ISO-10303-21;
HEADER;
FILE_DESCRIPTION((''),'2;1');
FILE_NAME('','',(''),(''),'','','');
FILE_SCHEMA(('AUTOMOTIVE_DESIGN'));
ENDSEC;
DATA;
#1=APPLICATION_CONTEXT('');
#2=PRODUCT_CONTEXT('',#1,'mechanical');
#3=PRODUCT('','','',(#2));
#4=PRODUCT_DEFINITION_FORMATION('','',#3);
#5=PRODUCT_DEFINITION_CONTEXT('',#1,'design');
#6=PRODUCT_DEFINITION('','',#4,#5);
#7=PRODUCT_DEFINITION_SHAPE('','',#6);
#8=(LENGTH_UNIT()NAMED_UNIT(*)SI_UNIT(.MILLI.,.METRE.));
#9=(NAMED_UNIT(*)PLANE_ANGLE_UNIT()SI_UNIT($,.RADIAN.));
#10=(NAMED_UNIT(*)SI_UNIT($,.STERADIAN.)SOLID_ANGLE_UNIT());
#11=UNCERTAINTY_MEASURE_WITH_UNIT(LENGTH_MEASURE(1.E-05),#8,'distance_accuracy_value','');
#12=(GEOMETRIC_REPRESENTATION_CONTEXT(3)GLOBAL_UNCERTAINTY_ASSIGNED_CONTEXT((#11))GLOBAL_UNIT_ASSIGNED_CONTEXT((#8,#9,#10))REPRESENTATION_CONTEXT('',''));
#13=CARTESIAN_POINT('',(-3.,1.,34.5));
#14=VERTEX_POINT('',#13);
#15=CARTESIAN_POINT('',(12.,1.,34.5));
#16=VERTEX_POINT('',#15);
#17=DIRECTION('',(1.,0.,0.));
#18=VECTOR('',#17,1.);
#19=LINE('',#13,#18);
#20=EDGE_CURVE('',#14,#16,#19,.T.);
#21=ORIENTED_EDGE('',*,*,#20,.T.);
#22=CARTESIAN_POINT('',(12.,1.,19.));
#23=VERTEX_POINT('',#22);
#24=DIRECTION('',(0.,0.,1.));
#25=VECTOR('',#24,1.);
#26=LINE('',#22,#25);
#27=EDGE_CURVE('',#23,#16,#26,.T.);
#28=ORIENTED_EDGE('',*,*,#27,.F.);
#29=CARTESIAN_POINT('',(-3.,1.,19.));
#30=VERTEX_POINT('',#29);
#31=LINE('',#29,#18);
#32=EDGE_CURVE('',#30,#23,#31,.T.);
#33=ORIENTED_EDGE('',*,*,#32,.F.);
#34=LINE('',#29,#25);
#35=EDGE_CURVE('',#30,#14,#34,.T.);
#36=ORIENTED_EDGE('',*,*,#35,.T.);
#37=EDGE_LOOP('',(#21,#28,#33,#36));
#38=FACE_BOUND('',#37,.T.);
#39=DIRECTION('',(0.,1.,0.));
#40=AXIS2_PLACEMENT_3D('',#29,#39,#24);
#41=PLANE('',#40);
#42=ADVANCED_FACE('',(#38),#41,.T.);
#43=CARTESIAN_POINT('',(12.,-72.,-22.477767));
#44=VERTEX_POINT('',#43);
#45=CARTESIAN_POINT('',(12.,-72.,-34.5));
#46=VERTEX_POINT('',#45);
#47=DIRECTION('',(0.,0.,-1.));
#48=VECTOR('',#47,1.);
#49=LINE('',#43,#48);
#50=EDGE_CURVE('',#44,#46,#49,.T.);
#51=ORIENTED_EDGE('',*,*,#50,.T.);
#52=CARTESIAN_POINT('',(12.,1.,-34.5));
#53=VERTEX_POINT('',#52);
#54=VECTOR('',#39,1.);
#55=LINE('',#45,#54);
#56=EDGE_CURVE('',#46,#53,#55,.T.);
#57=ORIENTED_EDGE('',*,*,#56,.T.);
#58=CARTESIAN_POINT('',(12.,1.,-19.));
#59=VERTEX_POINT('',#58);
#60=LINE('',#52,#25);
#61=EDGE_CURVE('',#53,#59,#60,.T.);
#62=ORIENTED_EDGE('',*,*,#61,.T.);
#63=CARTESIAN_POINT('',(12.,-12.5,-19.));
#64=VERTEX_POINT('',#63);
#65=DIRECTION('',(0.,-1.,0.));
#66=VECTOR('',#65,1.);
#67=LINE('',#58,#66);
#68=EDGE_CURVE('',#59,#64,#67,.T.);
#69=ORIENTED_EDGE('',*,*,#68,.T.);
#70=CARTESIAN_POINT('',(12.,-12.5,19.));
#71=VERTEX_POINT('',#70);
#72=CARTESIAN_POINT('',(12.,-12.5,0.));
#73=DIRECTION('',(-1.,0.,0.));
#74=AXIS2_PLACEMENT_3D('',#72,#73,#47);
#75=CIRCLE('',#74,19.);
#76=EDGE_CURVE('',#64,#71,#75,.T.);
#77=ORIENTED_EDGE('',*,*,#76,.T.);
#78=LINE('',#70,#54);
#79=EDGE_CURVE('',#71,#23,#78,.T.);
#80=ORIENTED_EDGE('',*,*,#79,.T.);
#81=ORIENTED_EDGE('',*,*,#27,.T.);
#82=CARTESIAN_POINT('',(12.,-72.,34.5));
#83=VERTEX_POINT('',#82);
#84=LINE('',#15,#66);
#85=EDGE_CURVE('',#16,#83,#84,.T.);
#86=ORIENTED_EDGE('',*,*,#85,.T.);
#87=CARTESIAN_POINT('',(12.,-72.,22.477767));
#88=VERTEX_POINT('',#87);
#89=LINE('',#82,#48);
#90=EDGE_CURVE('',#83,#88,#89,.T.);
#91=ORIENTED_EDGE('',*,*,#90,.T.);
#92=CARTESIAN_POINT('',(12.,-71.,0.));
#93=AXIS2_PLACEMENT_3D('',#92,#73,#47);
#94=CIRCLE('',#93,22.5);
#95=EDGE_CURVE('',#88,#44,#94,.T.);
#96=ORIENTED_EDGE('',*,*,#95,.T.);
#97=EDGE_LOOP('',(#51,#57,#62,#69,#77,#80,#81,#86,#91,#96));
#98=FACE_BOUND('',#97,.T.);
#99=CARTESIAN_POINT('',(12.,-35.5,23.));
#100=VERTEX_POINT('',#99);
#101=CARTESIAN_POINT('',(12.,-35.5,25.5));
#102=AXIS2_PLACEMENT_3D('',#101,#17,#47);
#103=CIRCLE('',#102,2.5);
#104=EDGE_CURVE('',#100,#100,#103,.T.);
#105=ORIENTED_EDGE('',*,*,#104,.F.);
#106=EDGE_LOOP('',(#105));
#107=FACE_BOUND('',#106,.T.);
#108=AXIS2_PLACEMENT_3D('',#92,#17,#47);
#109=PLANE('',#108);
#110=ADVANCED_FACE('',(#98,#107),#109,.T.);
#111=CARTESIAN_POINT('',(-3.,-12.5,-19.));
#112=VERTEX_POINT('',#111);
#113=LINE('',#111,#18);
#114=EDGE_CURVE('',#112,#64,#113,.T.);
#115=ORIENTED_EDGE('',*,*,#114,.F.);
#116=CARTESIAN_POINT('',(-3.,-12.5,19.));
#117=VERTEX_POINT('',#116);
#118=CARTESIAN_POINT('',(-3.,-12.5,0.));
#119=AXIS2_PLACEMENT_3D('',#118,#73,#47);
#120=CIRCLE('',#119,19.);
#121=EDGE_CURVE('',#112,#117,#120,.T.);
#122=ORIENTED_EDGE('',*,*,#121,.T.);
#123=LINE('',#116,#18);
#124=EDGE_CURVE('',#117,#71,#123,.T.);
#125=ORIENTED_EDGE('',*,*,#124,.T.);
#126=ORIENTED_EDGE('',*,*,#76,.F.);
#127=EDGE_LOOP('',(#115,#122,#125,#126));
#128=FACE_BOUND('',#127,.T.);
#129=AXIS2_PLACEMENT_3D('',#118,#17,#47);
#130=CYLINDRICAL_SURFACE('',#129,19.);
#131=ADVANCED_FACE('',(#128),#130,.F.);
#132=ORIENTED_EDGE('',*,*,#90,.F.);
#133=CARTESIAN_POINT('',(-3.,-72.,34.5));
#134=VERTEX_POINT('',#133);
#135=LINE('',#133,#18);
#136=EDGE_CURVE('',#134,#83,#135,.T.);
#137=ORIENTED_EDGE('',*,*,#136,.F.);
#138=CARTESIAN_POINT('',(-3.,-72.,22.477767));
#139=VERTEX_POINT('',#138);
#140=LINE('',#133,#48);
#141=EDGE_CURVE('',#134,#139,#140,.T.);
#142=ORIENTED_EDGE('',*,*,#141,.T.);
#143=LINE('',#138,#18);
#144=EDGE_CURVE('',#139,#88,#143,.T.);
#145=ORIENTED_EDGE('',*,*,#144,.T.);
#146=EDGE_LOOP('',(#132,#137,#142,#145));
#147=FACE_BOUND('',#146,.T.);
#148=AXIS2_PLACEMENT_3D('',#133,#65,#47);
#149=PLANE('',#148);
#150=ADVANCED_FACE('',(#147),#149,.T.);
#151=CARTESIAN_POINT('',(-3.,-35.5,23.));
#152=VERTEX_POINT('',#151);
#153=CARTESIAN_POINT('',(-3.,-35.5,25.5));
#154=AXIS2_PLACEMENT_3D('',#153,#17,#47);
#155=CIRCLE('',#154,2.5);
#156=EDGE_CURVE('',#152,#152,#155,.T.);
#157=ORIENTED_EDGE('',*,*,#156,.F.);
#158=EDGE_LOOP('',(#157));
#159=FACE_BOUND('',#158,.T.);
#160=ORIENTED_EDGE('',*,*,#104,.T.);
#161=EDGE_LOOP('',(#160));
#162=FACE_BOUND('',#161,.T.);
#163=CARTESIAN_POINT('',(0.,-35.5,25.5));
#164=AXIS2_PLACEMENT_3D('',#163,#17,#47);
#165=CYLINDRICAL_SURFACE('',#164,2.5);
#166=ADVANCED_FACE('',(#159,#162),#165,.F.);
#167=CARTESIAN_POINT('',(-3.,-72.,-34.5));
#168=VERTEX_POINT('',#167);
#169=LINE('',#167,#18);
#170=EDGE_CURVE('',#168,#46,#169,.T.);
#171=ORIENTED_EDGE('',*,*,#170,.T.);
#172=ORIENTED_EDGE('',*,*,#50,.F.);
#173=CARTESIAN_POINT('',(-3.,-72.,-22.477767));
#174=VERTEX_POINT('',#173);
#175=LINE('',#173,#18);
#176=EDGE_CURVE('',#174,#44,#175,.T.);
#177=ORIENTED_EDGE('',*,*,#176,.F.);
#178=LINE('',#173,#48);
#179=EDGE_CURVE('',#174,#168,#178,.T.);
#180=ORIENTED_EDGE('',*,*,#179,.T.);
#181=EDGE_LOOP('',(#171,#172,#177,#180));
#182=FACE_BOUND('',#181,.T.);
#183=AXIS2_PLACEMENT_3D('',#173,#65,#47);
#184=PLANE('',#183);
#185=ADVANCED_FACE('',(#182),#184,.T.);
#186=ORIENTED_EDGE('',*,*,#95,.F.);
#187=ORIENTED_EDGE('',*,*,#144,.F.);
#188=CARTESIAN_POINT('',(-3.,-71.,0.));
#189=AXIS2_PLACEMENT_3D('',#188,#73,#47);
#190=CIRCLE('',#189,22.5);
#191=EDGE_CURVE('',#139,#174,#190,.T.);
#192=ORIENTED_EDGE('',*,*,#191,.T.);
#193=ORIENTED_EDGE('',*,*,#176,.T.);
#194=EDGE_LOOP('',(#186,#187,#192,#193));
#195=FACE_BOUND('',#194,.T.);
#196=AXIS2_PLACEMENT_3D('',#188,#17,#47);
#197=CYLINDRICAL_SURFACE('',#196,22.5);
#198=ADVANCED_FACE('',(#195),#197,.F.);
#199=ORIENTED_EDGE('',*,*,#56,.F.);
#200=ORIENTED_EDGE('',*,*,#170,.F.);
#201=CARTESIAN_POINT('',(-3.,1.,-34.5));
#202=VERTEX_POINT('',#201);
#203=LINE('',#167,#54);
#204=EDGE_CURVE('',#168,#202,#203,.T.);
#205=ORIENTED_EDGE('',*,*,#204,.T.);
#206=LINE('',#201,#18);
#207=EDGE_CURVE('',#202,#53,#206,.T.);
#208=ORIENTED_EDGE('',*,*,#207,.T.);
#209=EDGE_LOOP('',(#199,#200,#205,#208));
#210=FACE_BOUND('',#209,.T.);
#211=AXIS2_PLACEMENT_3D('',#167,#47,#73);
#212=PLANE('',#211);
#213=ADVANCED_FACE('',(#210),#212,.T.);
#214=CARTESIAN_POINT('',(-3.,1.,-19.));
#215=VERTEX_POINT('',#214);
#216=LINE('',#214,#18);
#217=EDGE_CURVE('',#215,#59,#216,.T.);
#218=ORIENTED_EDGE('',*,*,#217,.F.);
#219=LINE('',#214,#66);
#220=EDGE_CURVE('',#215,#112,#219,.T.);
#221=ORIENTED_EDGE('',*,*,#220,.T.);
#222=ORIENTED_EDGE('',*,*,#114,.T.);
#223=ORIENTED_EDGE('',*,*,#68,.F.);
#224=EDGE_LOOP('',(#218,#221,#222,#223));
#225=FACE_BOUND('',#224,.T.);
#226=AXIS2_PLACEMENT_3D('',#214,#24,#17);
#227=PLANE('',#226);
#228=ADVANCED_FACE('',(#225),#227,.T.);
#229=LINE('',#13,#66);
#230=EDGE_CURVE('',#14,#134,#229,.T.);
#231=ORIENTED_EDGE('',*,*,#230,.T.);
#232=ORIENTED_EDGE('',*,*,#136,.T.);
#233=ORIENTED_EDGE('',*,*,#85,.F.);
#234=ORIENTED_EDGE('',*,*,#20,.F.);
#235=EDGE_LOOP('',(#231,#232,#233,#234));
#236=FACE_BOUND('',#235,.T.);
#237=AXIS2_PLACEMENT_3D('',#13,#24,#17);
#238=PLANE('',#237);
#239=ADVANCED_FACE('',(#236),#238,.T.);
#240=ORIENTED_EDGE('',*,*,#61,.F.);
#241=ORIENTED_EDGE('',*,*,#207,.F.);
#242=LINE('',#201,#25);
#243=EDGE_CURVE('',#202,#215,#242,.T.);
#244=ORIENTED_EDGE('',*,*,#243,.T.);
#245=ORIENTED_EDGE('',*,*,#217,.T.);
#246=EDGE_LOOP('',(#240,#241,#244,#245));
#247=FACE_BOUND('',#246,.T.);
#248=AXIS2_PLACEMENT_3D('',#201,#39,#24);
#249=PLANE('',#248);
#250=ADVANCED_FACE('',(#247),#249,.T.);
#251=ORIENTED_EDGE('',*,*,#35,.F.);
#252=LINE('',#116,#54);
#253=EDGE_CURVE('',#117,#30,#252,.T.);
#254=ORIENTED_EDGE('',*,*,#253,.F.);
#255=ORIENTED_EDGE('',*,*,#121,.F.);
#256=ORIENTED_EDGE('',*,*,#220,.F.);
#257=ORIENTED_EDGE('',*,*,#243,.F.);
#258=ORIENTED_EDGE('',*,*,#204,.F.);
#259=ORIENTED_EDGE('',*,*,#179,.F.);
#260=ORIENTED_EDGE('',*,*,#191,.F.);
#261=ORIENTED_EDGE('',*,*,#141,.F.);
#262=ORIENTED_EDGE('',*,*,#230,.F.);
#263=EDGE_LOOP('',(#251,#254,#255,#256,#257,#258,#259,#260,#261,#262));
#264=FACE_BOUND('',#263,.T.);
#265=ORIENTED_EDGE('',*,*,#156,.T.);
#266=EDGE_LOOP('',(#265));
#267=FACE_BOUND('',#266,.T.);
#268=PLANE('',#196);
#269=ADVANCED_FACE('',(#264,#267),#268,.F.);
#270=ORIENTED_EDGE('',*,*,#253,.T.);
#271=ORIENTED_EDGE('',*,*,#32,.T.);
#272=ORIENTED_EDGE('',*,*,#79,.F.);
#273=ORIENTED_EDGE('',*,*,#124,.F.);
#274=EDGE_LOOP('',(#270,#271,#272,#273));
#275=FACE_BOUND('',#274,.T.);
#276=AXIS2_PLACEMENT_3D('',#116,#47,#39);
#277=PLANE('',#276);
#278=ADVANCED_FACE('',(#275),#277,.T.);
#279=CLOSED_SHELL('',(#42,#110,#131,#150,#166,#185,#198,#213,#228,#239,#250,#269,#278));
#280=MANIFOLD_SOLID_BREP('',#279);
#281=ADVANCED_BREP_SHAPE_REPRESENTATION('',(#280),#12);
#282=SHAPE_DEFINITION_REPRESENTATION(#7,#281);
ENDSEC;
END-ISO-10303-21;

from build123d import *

# Parameters (mm, degrees)
BOSS_EXTRUDE1_DEPTH = 12
CUT_EXTRUDE1_DEPTH  = 80.418196907
SKETCH7_R           = 2.5
CUT_EXTRUDE2_DEPTH  = 80.418196907
SKETCH8_R           = 2.5
BOSS_EXTRUDE2_DEPTH = 15


with BuildPart() as part:
    # Sketch1 → Boss-Extrude1 (new body)
    with BuildSketch(Plane(origin=(0, 0, 0), x_dir=(0, 0, -1), z_dir=(1, 0, 0))):
        with BuildLine():
            Line((-33.5, 0), (33.5, 0))
            Line((33.5, 0), (33.5, -71))
            Line((33.5, -71), (23.5, -71))
            ThreePointArc((23.5, -71), (0, -47.5), (-23.5, -71))
            Line((-23.5, -71), (-33.5, -71))
            Line((-33.5, -71), (-33.5, 0))
        make_face()
    extrude(amount=BOSS_EXTRUDE1_DEPTH)

    # Sketch6 → Cut-Extrude1 (cut, through all)
    with BuildSketch(Plane(origin=(12, 0, 0), x_dir=(0, 0, -1), z_dir=(1, 0, 0))):
        with BuildLine():
            Line((20, 12.5), (20, -12.5))
            ThreePointArc((20, -12.5), (0, -32.5), (-20, -12.5))
            Line((-20, -12.5), (-20, 12.5))
            ThreePointArc((-20, 12.5), (0, 32.5), (20, 12.5))
        make_face()
    extrude(amount=-CUT_EXTRUDE1_DEPTH, mode=Mode.SUBTRACT)

    # Sketch7 → Cut-Extrude2 (cut, through all)
    with BuildSketch(Plane(origin=(12, 0, 0), x_dir=(0, 0, -1), z_dir=(1, 0, 0))):
        with Locations((-25.5, -35.5)):
            Circle(SKETCH7_R)
    extrude(amount=-CUT_EXTRUDE2_DEPTH, mode=Mode.SUBTRACT)

    # Sketch8 → Boss-Extrude2 (add)
    with BuildSketch(Plane(origin=(12, 0, 0), x_dir=(0, 0, -1), z_dir=(1, 0, 0))):
        with BuildLine():
            Line((-19, 1), (-34.5, 1))
            Line((-34.5, 1), (-34.5, -72))
            Line((-34.5, -72), (-22.477766793, -72))
            ThreePointArc((-22.477766793, -72), (0, -48.5), (22.477766793, -72))
            Line((22.477766793, -72), (34.5, -72))
            Line((34.5, -72), (34.5, 1))
            Line((34.5, 1), (19, 1))
            Line((19, 1), (19, -12.5))
            ThreePointArc((19, -12.5), (0, -31.5), (-19, -12.5))
            Line((-19, -12.5), (-19, 1))
        make_face()
        with Locations((-25.5, -35.5)):
            Circle(SKETCH8_R, mode=Mode.SUBTRACT)
    extrude(amount=-BOSS_EXTRUDE2_DEPTH)


solid = part.part
